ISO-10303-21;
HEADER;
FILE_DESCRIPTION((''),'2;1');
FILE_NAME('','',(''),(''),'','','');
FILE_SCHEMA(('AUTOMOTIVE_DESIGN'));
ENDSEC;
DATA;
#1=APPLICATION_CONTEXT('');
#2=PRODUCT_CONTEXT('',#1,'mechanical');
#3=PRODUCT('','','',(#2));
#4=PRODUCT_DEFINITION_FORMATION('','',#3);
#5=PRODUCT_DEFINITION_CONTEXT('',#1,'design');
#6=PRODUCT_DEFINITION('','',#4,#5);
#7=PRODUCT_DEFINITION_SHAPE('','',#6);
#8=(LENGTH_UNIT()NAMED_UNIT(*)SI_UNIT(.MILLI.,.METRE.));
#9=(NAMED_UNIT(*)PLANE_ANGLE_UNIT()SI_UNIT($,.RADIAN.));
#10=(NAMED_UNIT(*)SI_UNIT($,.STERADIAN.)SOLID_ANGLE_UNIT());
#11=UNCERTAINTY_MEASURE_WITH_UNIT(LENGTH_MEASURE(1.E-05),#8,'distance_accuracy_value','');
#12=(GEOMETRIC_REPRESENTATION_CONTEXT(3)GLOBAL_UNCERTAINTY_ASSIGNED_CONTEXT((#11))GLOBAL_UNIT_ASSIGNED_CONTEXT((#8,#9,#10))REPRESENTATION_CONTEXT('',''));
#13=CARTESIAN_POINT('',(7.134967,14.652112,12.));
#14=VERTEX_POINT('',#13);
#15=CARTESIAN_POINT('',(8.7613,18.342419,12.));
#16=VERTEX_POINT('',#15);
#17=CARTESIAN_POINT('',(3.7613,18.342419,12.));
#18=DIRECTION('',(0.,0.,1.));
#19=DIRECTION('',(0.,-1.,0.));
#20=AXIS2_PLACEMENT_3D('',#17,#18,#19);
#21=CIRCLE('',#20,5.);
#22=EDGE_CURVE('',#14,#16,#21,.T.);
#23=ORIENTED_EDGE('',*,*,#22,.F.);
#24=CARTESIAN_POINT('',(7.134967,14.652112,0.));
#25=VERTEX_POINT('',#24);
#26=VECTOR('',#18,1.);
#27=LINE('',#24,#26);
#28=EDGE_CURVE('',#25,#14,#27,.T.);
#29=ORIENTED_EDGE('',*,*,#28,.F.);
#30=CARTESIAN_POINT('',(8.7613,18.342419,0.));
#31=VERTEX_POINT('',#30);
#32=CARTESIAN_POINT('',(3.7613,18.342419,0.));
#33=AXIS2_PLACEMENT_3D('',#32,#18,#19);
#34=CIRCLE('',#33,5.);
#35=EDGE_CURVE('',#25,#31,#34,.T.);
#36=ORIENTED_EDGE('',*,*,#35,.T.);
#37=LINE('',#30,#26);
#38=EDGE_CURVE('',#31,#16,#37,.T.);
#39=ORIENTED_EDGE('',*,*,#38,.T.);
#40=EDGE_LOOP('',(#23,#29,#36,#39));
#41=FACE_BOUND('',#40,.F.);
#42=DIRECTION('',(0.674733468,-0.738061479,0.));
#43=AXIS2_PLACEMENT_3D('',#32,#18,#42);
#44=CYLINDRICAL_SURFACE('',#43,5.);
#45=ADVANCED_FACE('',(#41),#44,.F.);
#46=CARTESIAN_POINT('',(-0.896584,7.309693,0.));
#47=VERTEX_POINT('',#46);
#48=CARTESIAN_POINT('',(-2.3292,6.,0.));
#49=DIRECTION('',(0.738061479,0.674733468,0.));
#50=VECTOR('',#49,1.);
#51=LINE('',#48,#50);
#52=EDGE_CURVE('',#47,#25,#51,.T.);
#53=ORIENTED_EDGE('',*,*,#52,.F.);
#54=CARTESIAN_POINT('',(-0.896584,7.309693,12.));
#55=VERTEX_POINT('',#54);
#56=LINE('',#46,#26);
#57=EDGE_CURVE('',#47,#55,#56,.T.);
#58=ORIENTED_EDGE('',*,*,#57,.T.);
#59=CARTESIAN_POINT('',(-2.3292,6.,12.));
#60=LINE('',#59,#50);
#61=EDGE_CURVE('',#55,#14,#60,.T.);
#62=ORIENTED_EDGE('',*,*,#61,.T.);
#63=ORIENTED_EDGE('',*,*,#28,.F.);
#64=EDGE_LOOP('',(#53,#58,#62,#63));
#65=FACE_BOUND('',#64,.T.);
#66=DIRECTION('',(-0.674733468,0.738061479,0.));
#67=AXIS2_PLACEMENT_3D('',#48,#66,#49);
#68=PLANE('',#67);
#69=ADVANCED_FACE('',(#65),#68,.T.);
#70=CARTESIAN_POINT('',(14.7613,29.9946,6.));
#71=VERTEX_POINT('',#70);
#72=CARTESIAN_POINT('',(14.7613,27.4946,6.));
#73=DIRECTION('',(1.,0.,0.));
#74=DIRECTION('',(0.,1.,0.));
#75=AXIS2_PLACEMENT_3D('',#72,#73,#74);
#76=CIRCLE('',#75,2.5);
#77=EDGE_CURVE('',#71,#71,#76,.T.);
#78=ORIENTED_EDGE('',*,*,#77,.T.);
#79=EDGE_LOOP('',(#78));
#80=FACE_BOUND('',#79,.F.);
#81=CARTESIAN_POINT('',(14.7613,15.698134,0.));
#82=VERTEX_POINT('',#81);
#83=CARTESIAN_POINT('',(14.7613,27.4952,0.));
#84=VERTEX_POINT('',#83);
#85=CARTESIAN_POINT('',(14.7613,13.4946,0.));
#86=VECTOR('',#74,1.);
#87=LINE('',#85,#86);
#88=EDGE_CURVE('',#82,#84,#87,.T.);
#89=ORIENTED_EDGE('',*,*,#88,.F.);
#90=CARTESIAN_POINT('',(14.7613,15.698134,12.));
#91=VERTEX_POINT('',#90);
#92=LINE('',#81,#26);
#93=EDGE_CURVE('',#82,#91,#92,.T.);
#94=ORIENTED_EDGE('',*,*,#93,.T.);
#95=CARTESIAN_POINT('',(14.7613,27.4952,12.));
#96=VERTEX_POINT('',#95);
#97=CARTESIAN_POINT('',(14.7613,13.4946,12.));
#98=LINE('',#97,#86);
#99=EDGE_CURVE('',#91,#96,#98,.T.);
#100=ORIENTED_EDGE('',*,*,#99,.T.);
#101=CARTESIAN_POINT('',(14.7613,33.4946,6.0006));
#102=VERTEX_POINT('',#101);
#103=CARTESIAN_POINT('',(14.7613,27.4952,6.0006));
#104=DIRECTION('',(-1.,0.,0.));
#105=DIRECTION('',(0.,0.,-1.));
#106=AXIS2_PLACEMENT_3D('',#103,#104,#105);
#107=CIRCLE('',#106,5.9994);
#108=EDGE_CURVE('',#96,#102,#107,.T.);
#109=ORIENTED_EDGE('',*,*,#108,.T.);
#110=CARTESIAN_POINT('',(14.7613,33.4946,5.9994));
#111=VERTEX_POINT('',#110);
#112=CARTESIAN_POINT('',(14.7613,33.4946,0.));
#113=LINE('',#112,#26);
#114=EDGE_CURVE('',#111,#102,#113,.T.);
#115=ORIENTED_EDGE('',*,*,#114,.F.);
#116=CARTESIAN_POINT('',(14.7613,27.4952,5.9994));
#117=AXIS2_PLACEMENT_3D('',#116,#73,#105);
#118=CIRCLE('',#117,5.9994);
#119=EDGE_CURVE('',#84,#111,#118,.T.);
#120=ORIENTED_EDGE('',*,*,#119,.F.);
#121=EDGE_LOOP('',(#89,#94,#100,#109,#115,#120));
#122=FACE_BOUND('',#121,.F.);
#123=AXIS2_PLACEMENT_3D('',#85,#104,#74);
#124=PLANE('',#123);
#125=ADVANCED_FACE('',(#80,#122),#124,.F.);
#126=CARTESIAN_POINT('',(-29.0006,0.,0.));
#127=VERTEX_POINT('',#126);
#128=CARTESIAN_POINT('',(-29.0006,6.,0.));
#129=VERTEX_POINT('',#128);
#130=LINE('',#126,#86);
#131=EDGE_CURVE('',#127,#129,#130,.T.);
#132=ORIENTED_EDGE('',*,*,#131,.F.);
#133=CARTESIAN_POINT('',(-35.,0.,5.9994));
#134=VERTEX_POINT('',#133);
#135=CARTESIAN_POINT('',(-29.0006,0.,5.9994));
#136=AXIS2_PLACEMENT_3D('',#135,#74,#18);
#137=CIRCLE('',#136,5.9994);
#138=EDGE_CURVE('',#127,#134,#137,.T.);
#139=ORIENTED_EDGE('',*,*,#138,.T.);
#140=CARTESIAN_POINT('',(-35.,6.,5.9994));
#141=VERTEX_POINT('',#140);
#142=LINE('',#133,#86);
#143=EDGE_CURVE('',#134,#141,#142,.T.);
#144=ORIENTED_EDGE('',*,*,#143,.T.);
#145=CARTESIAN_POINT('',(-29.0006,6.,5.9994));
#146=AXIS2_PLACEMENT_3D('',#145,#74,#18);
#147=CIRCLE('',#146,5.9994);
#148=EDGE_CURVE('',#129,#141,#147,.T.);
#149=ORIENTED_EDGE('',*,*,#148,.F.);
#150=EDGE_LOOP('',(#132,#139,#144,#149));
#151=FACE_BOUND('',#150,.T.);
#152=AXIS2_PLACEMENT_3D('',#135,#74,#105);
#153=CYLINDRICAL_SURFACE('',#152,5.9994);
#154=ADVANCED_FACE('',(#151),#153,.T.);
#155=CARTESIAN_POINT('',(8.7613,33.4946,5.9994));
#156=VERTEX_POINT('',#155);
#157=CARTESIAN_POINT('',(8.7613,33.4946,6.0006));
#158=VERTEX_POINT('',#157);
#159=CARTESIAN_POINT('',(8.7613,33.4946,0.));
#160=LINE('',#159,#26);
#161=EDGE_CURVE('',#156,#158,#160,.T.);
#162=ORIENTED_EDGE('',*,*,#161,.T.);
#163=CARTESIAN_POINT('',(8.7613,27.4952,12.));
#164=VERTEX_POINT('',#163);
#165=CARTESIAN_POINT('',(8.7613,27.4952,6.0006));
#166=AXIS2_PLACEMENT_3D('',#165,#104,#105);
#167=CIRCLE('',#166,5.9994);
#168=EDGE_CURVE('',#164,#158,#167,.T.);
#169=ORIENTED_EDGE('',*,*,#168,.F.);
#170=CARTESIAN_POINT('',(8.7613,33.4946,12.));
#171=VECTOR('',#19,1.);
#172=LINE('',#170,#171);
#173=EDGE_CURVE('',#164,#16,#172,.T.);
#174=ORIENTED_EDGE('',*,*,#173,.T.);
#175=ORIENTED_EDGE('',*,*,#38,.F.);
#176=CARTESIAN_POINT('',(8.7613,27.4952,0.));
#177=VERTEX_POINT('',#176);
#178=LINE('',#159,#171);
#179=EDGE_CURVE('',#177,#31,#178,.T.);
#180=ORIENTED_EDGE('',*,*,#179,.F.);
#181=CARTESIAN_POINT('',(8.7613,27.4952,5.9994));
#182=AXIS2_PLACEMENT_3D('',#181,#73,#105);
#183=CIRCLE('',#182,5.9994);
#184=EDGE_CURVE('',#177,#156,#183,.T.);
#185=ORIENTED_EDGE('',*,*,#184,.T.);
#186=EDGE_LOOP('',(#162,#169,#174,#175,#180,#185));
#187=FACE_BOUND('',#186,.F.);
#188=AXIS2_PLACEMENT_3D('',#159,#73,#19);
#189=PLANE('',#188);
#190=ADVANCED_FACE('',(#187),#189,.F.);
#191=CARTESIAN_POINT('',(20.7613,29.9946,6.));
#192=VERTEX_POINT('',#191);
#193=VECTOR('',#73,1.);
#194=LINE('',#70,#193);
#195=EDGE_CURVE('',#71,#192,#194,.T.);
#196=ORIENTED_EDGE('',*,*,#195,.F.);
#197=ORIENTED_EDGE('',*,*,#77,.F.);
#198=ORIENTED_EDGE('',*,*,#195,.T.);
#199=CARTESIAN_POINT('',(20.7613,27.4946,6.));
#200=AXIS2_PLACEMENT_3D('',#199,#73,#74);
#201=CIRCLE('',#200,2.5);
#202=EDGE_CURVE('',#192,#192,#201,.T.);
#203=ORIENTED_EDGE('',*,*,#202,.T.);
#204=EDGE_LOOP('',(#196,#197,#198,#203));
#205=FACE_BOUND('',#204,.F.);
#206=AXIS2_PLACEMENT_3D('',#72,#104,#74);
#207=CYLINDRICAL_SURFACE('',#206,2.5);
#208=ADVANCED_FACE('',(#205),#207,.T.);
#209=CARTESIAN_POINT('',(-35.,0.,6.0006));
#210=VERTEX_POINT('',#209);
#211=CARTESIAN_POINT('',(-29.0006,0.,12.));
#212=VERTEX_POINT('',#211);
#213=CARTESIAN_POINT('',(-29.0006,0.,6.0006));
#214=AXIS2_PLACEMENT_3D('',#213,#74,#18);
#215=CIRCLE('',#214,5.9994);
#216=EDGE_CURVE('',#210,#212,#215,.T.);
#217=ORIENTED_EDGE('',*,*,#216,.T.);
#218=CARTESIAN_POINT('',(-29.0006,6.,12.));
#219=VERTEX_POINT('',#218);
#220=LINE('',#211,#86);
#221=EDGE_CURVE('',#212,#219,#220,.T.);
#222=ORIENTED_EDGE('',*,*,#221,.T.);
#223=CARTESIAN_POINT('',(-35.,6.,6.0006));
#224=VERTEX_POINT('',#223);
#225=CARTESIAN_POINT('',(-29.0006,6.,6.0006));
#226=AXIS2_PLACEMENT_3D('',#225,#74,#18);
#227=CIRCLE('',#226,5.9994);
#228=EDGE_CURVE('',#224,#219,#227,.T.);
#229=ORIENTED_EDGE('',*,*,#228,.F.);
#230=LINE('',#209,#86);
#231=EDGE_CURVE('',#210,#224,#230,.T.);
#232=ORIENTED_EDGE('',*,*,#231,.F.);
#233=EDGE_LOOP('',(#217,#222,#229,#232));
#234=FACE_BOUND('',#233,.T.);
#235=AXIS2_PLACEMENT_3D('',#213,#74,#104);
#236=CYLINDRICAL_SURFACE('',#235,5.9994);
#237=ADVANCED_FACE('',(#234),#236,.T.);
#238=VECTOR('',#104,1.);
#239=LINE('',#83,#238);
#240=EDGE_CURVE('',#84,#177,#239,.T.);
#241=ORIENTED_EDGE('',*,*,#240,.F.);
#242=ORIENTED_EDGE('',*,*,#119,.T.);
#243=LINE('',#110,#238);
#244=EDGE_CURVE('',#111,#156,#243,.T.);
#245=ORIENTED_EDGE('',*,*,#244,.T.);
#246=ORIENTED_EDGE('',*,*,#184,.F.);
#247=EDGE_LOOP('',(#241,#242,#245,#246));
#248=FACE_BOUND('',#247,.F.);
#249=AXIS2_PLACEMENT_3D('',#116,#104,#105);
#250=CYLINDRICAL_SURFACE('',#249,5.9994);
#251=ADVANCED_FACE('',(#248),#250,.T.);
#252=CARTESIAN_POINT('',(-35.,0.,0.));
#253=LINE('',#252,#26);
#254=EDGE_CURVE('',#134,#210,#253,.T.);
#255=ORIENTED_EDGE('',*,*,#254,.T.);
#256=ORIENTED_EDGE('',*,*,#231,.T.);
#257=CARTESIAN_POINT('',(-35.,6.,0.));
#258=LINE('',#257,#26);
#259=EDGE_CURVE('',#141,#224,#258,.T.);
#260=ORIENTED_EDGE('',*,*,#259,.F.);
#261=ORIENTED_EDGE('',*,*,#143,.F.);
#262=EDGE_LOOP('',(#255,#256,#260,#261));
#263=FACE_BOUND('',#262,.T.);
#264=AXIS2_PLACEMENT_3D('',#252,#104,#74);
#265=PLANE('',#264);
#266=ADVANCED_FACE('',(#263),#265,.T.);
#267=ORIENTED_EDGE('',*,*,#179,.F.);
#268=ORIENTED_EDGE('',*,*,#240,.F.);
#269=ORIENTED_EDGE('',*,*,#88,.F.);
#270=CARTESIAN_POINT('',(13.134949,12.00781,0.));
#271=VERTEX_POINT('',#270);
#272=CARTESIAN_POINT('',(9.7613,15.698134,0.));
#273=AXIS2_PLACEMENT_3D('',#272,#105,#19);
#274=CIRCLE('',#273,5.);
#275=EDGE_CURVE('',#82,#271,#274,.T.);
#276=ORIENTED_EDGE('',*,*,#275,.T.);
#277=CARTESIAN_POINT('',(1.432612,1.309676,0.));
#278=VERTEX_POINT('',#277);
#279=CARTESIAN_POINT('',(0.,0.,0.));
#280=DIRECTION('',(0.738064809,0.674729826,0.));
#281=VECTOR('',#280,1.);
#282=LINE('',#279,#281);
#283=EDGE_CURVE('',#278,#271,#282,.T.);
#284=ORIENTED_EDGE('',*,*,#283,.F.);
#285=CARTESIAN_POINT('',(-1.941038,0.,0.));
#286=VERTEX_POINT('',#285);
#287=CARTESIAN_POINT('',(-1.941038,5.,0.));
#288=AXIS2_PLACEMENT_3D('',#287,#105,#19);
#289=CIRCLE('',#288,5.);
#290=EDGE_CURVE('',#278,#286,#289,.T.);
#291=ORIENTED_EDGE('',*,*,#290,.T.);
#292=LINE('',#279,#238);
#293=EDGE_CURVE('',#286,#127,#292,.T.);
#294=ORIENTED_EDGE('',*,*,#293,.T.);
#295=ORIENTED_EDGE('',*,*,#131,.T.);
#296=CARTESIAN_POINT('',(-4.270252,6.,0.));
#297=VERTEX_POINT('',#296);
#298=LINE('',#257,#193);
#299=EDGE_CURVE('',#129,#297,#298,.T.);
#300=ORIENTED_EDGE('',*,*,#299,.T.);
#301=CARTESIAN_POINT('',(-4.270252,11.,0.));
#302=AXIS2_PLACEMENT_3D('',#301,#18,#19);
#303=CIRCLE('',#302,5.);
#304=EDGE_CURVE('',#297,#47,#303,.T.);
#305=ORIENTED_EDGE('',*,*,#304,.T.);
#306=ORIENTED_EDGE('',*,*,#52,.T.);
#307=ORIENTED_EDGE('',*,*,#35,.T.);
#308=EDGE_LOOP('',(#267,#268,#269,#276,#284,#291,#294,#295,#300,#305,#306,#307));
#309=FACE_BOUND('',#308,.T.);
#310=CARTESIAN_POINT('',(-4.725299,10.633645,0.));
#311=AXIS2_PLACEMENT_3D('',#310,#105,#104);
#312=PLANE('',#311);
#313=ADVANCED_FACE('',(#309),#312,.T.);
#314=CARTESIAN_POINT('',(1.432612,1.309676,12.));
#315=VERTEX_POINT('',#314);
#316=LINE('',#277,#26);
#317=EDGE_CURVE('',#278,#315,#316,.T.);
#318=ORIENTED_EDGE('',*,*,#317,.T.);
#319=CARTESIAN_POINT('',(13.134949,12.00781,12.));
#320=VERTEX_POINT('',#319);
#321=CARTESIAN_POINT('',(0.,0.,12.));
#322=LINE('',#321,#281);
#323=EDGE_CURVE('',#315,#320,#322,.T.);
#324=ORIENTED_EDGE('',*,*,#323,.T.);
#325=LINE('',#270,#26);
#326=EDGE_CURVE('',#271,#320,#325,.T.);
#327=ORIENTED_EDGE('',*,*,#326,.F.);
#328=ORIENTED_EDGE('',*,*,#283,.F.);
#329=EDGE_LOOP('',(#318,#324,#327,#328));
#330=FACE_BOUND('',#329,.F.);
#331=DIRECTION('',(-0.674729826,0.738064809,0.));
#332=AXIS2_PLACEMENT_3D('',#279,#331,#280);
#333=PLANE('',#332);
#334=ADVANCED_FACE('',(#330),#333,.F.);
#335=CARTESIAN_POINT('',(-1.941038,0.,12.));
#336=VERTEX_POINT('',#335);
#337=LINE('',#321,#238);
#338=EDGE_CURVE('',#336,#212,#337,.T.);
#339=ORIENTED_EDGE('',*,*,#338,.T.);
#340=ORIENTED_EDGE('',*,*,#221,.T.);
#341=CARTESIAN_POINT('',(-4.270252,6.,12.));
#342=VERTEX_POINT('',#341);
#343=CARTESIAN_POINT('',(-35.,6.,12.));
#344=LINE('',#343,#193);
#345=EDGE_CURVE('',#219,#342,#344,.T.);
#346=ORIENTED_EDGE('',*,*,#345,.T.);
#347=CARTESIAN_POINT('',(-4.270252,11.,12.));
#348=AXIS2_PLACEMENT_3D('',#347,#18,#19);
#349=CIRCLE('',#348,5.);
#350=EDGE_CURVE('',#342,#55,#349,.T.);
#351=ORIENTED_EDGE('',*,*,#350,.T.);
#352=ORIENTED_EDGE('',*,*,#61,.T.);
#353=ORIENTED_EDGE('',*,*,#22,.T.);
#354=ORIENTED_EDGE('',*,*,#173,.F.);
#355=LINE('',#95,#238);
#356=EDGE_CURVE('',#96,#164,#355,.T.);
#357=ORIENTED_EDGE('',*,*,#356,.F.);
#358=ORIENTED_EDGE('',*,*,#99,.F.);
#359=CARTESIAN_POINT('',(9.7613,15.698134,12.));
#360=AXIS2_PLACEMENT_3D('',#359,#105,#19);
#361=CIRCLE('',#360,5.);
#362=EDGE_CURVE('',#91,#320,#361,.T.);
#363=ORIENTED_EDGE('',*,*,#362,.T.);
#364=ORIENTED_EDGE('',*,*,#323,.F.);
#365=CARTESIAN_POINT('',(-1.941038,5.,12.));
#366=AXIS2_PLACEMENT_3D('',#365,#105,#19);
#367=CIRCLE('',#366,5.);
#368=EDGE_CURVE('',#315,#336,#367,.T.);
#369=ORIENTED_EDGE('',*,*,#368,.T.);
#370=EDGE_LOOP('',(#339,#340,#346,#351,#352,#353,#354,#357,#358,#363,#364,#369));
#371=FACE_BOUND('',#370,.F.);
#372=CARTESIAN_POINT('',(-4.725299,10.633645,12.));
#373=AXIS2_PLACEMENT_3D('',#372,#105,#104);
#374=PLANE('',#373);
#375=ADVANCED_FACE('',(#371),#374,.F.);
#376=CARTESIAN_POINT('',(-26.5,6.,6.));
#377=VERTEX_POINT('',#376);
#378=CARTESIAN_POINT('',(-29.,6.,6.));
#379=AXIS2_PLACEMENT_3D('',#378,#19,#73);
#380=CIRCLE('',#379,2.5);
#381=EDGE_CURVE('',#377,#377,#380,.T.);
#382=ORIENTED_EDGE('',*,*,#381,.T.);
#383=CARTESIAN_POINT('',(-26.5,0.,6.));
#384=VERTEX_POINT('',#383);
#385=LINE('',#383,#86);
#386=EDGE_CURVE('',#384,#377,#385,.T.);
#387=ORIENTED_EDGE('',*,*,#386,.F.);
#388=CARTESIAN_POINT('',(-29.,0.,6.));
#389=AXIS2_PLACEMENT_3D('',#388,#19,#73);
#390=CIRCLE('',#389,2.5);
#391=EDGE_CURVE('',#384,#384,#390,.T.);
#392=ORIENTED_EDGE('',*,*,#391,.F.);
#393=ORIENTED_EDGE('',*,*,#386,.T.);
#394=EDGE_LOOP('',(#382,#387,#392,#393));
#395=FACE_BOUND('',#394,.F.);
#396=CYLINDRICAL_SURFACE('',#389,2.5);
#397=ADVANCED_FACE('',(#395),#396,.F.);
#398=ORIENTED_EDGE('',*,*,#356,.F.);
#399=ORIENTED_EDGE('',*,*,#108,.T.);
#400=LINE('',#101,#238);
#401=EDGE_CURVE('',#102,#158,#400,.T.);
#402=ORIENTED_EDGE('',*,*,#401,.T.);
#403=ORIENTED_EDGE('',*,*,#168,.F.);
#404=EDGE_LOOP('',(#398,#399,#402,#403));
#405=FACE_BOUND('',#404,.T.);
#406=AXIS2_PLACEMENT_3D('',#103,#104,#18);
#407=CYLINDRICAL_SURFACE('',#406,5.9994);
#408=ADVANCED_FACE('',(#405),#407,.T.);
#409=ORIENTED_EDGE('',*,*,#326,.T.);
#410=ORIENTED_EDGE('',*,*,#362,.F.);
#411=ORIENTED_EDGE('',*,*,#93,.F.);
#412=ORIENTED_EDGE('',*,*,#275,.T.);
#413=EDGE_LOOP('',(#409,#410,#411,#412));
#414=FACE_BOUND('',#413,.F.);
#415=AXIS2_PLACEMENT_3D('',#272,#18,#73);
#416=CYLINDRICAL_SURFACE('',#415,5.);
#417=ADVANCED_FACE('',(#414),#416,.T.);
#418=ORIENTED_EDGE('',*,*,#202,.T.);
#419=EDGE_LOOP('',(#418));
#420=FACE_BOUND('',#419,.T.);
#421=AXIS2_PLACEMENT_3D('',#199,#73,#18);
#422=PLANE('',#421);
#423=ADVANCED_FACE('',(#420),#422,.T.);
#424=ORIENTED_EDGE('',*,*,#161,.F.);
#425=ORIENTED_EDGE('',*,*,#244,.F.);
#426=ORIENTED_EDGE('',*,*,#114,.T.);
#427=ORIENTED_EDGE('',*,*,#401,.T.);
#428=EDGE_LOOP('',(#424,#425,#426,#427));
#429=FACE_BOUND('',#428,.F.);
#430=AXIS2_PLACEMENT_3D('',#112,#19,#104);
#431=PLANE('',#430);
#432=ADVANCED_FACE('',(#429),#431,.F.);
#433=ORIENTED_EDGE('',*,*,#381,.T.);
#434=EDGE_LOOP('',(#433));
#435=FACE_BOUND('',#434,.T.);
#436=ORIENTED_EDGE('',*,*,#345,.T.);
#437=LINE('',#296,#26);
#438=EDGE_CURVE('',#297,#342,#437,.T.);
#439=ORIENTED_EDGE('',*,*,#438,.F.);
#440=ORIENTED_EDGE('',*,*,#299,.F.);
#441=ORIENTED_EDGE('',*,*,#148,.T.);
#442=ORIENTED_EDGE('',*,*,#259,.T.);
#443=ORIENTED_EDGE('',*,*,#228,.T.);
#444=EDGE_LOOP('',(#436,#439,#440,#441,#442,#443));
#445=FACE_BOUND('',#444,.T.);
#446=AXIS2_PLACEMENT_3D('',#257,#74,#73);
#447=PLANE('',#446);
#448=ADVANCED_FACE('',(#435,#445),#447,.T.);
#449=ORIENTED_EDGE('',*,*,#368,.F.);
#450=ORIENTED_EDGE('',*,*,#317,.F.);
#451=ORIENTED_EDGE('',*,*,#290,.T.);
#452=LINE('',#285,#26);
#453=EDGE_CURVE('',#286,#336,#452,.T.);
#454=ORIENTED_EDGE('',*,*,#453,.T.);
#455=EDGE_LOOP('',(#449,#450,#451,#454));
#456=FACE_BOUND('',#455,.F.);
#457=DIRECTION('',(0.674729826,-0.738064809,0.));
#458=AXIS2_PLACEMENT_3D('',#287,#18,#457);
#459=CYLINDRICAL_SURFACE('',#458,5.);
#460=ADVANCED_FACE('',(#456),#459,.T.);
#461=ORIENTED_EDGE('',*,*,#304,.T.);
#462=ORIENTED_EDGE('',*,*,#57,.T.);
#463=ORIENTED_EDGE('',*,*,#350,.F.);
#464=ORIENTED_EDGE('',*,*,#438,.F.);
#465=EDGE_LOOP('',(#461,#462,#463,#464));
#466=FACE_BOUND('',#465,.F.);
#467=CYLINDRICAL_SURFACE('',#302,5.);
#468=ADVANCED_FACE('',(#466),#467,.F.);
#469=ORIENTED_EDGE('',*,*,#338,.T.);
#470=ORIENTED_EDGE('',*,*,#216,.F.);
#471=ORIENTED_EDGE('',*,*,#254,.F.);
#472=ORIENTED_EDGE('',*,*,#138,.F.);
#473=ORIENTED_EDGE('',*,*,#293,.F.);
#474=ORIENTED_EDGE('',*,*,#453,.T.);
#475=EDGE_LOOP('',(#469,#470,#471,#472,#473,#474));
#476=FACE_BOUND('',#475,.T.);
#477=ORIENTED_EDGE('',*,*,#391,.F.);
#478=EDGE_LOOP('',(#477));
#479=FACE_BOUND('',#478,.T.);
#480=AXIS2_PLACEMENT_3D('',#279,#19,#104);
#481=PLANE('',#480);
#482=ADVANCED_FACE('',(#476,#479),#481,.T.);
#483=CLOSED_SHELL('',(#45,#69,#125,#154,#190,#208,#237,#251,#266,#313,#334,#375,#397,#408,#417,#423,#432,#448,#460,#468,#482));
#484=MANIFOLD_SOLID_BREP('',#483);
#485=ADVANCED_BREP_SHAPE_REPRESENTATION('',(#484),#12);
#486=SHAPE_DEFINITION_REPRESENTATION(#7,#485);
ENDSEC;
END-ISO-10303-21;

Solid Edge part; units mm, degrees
sketch "Sketch1" plane through (0, 0, 0) normal (0, 0, 1) x (1, 0, 0)
  line L0 (-35, 6) -> (-2.3292, 6)
  line L1 (-2.3292, 6) -> (8.7613, 16.1389)
  line L2 (8.7613, 33.4946) -> (8.7613, 16.1389)
  line L3 (14.7613, 33.4946) -> (8.7613, 33.4946)
  line L4 (14.7613, 13.4946) -> (14.7613, 33.4946)
  line L5 (0, 0) -> (14.7613, 13.4946)
  line L6 (0, 0) -> (-35, 0)
  line L7 (-35, 0) -> (-35, 6)
extrude "Protrusion1" add sketch "Sketch1" along normal blind 12
fillet "Redondeo_1" radius 5 4 edges at (14.7613, 13.4946, 6) (0, 0, 6) (-2.3292, 6, 6) (8.7613, 16.1389, 6)
fillet "Redondeo_2" radius 6 4 edges at (11.7613, 33.4946, 12) (11.7613, 33.4946, 0) (-35, 3, 12) (-35, 3, 0)
sketch "Sketch2" plane through (-15.9705, 0, 6) normal (0, -1, 0) x (1, 0, 0)
  circle A0 centre (-13.0295, 0) radius 2.5
extrude "VaciadoExtruido_1" cut sketch "Sketch2" against normal blind 21.8267
sketch "Sketch3" plane through (14.7613, 24.5964, 6) normal (1, 0, 0) x (0, 1, 0)
  circle A0 centre (2.8982, 0) radius 2.5
extrude "VaciadoExtruido_2" cut sketch "Sketch3" against normal blind 18.7725
sketch "Sketch4" plane through (14.7613, 24.5964, 6) normal (1, 0, 0) x (0, 1, 0)
  circle A0 centre (2.8982, 0) radius 2.5
extrude "ProtrusiónExtruida_2" add sketch "Sketch4" along normal mid plane 12
sketch "Sketch5" plane through (14.7613, 24.5964, 6) normal (1, 0, 0) x (0, 1, 0)
  circle A0 centre (2.8982, 0) radius 2.5
extrude "VaciadoExtruido_3" cut sketch "Sketch5" along normal mid plane 37.0413
sketch "Sketch6" plane through (14.7613, 24.5964, 6) normal (1, 0, 0) x (0, 1, 0)
  circle A0 centre (2.8982, 0) radius 2.5
extrude "ProtrusiónExtruida_3" add sketch "Sketch6" along normal mid plane 12
